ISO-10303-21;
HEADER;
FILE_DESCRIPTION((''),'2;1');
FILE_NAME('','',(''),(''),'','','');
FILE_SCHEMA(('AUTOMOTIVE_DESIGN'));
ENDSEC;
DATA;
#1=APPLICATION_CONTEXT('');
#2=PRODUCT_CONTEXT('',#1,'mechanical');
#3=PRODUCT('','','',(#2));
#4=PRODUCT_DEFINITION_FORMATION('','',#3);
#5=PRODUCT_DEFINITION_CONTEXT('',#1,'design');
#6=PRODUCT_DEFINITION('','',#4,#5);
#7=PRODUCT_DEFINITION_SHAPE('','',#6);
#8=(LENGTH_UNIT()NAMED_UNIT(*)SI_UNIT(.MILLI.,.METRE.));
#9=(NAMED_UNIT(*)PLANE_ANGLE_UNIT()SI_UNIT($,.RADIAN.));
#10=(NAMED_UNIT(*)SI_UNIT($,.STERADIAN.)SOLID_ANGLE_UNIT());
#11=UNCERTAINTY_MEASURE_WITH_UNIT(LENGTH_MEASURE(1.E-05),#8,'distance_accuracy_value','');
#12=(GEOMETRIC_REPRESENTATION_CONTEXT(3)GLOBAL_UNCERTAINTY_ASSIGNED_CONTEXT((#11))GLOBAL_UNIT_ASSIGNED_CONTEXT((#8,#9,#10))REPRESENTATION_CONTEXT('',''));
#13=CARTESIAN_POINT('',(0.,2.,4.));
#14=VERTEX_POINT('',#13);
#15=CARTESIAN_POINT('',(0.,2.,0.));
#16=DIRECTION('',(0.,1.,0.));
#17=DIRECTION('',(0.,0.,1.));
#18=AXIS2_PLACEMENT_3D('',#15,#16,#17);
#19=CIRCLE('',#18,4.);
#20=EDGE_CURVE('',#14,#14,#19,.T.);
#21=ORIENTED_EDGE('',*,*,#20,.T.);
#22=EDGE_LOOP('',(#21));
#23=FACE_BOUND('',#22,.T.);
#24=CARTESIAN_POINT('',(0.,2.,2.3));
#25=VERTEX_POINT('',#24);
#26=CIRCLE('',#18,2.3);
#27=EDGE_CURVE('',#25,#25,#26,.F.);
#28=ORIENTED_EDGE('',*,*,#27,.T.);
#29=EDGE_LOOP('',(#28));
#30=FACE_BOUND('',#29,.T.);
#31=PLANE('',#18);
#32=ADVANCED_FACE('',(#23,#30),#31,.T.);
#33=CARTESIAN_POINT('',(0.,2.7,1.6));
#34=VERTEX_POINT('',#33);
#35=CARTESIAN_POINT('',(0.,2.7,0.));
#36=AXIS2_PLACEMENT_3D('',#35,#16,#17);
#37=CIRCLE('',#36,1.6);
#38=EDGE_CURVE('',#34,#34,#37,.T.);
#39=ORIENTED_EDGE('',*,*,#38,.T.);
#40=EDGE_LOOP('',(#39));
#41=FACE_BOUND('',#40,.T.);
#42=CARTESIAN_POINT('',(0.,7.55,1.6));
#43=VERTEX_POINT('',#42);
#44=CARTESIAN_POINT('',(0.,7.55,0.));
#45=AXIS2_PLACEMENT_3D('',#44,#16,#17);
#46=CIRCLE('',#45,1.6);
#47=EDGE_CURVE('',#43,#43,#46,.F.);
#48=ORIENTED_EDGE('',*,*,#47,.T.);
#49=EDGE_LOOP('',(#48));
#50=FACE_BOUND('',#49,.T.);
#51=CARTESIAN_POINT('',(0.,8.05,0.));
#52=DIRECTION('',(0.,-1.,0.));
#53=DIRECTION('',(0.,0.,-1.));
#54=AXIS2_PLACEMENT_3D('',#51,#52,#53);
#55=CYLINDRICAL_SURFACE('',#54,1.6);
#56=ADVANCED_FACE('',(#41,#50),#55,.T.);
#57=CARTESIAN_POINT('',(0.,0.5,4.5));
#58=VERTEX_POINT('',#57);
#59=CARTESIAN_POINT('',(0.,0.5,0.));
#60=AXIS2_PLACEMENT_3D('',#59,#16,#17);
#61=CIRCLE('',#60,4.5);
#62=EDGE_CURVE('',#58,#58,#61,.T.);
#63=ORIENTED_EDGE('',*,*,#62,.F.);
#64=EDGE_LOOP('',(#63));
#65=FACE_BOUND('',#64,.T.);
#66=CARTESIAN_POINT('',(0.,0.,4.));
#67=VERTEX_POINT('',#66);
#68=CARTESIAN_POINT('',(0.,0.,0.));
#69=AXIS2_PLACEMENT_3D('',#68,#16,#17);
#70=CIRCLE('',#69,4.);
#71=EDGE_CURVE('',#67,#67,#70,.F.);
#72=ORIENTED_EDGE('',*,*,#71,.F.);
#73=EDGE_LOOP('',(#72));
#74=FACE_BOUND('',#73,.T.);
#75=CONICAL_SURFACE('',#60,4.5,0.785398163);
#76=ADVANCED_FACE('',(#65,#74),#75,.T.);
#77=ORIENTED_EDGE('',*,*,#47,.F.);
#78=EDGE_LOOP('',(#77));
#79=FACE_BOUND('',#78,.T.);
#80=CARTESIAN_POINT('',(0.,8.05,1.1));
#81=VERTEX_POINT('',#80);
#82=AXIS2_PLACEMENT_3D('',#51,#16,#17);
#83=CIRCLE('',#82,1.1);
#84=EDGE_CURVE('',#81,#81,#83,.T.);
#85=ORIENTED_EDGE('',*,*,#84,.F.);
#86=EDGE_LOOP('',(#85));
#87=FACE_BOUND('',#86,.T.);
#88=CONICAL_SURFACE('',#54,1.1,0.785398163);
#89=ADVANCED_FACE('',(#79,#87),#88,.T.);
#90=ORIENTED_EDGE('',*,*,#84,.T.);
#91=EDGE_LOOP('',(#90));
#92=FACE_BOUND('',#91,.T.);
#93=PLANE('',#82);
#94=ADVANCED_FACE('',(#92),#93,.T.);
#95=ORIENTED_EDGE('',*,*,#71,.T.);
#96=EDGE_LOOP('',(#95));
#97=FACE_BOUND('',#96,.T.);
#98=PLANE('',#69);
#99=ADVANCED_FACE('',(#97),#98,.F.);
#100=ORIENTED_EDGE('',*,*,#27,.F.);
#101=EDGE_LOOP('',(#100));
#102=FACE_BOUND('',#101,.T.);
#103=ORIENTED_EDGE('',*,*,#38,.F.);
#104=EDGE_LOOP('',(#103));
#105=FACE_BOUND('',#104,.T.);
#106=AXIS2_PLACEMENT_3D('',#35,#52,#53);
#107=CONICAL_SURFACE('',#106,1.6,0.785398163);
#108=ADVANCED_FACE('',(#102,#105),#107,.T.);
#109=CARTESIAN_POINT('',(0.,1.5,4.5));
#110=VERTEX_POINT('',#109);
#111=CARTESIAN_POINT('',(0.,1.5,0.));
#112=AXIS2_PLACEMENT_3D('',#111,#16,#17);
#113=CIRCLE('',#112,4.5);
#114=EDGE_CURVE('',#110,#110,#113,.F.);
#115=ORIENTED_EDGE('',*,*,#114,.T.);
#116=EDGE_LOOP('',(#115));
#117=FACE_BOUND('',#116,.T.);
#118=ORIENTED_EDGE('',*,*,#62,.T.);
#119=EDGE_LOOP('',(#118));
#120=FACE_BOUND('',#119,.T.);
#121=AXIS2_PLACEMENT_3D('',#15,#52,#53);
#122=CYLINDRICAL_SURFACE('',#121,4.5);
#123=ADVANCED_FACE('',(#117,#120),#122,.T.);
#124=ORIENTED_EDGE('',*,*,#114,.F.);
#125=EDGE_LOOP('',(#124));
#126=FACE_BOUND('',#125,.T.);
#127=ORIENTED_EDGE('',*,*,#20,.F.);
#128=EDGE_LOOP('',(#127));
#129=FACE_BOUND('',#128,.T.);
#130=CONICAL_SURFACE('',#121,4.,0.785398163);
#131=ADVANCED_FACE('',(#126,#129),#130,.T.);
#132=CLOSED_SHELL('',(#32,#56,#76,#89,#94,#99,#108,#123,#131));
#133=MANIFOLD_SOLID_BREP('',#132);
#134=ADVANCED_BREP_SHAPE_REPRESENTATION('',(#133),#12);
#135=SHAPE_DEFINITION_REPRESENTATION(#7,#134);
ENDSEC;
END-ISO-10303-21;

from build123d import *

# Parameters (mm, degrees)
SKETCH1_R           = 4.5
SKETCH1_R_2         = 1.6
BOSS_EXTRUDE1_DEPTH = 2
SKETCH1_2_R         = 1.6
BOSS_EXTRUDE2_DEPTH = 8.05
CHAMFER1_SIZE       = 0.7
CHAMFER2_SIZE       = 0.5
CHAMFER3_SIZE       = 0.5


with BuildPart() as part:
    # Sketch1 → Boss-Extrude1 (new body)
    with BuildSketch(Plane(origin=(0, 0, 0), x_dir=(1, 0, 0), z_dir=(0, 1, 0))):
        Circle(SKETCH1_R)
        Circle(SKETCH1_R_2, mode=Mode.SUBTRACT)
    extrude(amount=BOSS_EXTRUDE1_DEPTH)

    # Sketch1<2> → Boss-Extrude2 (add)
    with BuildSketch(Plane(origin=(0, 0, 0), x_dir=(1, 0, 0), z_dir=(0, 1, 0))):
        Circle(SKETCH1_2_R)
    extrude(amount=BOSS_EXTRUDE2_DEPTH)

    # Chamfer1
    chamfer1_edges = [part.edges().sort_by_distance(p)[0] for p in [
        (-1.6, 2, 0),
    ]]
    chamfer(chamfer1_edges, length=CHAMFER1_SIZE)

    # Chamfer2
    chamfer2_edges = [part.edges().sort_by_distance(p)[0] for p in [
        (-4.5, 2, 0),
        (-4.5, 0, 0),
    ]]
    chamfer(chamfer2_edges, length=CHAMFER2_SIZE)

    # Chamfer3
    chamfer3_edges = [part.edges().sort_by_distance(p)[0] for p in [
        (-1.6, 8.05, 0),
    ]]
    chamfer(chamfer3_edges, length=CHAMFER3_SIZE)


solid = part.part
